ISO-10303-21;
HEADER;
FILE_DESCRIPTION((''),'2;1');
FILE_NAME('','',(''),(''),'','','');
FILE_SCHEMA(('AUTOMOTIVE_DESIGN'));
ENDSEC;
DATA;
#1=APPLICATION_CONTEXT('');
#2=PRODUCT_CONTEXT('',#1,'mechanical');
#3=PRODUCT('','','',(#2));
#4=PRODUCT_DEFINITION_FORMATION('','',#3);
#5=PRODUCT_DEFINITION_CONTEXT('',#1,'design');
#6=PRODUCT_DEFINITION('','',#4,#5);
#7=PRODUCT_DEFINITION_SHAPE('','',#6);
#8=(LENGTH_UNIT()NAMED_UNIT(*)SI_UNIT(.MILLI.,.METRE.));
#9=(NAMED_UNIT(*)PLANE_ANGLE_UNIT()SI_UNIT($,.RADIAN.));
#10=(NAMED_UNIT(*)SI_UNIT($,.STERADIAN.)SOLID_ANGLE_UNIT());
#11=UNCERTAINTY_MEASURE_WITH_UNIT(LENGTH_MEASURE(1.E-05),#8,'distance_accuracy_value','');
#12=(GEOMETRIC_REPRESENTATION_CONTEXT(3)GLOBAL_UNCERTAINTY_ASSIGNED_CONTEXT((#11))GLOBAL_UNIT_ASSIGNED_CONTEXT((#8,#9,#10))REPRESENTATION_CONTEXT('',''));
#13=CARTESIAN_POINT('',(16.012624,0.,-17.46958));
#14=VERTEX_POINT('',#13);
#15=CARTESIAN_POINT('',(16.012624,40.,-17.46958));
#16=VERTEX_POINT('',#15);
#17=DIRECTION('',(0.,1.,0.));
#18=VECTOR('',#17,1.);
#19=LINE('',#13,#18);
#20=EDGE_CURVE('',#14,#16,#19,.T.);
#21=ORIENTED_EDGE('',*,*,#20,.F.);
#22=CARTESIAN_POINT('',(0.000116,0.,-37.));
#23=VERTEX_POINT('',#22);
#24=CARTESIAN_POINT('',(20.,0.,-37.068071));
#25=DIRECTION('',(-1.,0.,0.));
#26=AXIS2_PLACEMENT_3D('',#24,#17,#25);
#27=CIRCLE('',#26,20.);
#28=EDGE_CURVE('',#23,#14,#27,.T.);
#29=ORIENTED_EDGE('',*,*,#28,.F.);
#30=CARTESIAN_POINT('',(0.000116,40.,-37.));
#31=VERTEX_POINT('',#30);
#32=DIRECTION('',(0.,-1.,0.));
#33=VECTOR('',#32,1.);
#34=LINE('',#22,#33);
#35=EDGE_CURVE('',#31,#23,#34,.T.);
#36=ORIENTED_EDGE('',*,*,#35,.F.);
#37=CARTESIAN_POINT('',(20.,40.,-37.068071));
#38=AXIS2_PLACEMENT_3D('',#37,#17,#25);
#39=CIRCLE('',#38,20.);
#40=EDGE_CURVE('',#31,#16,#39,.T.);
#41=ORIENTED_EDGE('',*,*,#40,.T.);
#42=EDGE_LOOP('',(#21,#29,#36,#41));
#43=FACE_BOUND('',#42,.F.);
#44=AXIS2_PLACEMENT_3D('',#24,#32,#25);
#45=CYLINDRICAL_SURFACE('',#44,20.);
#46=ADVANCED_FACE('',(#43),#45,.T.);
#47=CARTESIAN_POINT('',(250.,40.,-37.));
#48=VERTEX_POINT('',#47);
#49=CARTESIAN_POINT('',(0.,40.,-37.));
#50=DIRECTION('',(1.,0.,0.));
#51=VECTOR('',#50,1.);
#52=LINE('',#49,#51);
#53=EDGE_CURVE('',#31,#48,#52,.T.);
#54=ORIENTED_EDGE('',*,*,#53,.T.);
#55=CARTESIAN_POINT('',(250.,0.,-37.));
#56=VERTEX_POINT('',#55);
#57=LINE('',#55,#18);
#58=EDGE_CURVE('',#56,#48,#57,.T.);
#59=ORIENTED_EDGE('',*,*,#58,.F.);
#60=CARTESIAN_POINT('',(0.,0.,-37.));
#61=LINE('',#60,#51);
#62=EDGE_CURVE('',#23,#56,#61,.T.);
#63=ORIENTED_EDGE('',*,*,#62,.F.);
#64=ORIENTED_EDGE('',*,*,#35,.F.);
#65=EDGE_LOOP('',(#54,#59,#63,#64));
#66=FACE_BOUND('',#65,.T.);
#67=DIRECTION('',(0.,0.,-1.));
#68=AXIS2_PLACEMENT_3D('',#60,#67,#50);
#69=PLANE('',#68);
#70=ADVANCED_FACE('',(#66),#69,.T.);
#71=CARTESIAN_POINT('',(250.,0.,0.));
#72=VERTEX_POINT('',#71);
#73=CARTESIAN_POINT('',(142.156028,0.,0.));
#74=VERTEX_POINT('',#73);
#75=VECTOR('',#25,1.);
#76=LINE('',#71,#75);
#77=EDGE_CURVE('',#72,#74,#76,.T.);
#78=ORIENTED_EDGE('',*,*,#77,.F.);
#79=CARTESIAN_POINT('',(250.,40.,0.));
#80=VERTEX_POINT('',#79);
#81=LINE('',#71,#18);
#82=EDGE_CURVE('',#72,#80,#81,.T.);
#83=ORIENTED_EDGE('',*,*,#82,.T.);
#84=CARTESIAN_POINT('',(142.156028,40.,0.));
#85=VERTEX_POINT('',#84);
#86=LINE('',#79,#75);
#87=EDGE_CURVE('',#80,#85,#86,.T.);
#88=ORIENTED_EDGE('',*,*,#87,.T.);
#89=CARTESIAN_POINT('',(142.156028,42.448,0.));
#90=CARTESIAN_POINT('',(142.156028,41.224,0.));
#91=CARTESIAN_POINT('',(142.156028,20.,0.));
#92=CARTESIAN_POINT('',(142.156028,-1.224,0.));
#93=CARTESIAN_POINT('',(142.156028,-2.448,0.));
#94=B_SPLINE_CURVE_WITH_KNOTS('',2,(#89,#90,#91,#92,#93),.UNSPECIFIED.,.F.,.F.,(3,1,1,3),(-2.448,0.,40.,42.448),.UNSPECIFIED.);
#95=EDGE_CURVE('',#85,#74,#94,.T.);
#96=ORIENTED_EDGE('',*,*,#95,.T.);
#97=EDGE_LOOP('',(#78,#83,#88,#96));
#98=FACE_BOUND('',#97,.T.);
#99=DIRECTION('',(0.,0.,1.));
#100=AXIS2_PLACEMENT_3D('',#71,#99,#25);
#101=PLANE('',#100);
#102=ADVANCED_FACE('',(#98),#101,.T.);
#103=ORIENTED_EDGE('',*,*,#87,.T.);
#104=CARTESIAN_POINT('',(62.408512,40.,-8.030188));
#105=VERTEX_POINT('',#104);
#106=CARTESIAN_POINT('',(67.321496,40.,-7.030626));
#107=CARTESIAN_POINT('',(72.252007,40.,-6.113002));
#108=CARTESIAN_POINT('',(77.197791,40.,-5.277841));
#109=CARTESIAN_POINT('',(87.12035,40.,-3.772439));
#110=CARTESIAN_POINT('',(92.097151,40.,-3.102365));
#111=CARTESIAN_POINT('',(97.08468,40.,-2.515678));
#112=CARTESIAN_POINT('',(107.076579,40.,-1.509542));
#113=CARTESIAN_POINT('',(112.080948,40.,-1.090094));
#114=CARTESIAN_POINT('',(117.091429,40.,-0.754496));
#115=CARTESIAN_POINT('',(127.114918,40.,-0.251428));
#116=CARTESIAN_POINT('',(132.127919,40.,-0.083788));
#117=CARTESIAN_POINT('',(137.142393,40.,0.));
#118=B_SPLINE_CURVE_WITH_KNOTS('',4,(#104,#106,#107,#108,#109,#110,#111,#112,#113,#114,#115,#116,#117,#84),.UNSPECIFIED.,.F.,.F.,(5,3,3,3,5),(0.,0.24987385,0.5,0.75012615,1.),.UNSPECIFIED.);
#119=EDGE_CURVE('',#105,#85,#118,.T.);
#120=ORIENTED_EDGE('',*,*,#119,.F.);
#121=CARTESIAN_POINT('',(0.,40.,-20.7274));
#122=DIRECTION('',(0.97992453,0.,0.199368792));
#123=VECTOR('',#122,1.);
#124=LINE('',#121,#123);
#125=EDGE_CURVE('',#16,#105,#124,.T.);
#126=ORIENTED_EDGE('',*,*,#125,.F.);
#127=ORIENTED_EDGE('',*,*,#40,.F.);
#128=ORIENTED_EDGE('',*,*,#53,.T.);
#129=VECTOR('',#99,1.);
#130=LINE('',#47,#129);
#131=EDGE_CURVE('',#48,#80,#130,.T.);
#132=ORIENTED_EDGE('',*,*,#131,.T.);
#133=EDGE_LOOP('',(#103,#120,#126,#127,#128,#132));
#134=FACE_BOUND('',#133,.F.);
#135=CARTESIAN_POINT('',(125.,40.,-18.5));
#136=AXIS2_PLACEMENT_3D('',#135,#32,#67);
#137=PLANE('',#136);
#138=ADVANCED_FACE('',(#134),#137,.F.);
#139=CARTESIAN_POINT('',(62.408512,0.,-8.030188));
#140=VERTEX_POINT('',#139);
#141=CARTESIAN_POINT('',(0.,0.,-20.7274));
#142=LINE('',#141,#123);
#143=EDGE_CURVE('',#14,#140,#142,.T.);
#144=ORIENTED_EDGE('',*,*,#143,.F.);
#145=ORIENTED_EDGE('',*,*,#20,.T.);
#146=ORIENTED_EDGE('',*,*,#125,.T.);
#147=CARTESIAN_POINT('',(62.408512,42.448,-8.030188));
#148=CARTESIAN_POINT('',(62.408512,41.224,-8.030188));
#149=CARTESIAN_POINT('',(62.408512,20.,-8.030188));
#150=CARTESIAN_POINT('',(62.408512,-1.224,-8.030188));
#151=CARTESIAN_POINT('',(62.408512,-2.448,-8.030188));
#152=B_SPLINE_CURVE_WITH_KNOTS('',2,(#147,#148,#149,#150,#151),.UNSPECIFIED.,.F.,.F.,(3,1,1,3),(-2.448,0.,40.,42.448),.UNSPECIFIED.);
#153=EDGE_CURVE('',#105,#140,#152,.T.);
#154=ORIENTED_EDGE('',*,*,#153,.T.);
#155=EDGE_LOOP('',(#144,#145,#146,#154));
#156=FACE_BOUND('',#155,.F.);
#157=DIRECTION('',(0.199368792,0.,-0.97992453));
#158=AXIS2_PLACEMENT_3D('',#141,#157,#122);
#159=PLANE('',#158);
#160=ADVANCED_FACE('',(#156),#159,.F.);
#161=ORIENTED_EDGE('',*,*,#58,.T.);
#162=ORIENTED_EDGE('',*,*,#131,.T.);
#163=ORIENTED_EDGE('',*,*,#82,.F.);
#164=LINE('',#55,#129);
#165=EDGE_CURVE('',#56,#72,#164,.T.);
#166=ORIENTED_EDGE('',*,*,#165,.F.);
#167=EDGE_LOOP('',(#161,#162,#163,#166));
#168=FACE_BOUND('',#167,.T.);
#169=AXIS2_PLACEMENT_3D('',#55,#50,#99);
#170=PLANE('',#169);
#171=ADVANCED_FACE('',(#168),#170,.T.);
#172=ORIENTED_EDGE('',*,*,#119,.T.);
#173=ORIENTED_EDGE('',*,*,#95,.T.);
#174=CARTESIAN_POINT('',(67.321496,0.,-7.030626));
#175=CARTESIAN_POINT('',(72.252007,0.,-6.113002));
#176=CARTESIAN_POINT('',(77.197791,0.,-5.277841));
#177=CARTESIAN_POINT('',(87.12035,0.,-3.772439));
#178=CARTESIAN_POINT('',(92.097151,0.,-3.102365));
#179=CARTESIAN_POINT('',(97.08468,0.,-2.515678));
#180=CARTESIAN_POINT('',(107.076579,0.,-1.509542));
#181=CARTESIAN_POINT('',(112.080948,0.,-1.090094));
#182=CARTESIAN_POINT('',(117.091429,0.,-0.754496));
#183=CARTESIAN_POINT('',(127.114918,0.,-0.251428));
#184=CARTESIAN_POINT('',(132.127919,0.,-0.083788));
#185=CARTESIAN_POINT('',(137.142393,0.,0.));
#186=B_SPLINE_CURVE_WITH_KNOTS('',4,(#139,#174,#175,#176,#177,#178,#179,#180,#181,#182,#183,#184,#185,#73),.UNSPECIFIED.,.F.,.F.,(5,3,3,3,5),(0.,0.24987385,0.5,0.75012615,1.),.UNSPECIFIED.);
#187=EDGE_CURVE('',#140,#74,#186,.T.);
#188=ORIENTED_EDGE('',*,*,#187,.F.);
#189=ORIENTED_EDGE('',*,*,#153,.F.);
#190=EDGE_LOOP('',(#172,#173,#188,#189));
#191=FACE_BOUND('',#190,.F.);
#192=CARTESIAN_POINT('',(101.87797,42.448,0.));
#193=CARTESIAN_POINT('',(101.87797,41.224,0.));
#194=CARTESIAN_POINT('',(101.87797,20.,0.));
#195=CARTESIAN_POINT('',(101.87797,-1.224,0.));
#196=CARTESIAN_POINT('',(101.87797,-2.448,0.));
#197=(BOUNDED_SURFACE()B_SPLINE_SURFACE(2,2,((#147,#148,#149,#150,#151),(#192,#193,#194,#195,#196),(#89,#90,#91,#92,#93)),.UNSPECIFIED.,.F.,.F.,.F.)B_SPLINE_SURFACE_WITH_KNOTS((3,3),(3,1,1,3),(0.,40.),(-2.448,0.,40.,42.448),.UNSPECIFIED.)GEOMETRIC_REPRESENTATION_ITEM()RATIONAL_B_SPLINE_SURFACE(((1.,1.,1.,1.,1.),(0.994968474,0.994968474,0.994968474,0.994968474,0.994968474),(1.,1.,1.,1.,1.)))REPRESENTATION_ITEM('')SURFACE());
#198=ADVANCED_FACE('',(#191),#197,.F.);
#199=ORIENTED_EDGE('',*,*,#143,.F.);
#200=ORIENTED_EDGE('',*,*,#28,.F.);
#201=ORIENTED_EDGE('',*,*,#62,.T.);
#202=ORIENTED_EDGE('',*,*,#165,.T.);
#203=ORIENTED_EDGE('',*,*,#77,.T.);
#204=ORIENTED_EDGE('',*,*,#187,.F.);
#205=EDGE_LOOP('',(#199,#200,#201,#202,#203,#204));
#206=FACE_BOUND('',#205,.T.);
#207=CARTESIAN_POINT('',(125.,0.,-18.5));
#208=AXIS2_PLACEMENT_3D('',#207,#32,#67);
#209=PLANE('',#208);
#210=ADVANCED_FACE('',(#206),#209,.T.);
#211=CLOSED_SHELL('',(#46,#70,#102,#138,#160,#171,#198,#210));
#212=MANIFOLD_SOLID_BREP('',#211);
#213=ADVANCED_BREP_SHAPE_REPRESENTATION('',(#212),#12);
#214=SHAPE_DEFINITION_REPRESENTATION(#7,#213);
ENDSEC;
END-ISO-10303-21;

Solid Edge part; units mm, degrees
sketch "Sketch1" plane through (0, 0, 0) normal (0, -1, 0) x (1, 0, 0)
  line L0 (0, -37) -> (250, -37)
  line L1 (250, -37) -> (250, 0)
  line L2 (250, 0) -> (0, 0)
  line L3 (0, 0) -> (0, -37)
extrude "Protrusion1" add sketch "Sketch1" against normal blind 40
sketch "Sketch2" plane through (125, 0, -18.5) normal (0, -1, 0) x (1, 0, 0)
  arc A0 (10, 18.5) -> (-125, -2.2274) centre (10, -431.5) ccw
  line L0 (-125, -2.2274) -> (-125, 18.5)
  line L1 (-125, 18.5) -> (10, 18.5)
extrude "ExtrudedCutout_1" cut sketch "Sketch2" against normal blind 40
sketch "Sketch3" plane through (125, 0, -18.5) normal (0, -1, 0) x (1, 0, 0)
  line L0 (-125, -2.2274) -> (-33.462, 16.3963)
  line L1 (-33.462, 16.3963) -> (-125, 18.5)
  line L2 (-125, 18.5) -> (-125, -2.2274)
extrude "ExtrudedCutout_2" cut sketch "Sketch3" against normal blind 40
fillet "Round_1" radius 20 1 edges at (0, 20, -20.7274)
fillet "Round_2" radius 400 1 edges at (91.538, 20, -2.1037)
